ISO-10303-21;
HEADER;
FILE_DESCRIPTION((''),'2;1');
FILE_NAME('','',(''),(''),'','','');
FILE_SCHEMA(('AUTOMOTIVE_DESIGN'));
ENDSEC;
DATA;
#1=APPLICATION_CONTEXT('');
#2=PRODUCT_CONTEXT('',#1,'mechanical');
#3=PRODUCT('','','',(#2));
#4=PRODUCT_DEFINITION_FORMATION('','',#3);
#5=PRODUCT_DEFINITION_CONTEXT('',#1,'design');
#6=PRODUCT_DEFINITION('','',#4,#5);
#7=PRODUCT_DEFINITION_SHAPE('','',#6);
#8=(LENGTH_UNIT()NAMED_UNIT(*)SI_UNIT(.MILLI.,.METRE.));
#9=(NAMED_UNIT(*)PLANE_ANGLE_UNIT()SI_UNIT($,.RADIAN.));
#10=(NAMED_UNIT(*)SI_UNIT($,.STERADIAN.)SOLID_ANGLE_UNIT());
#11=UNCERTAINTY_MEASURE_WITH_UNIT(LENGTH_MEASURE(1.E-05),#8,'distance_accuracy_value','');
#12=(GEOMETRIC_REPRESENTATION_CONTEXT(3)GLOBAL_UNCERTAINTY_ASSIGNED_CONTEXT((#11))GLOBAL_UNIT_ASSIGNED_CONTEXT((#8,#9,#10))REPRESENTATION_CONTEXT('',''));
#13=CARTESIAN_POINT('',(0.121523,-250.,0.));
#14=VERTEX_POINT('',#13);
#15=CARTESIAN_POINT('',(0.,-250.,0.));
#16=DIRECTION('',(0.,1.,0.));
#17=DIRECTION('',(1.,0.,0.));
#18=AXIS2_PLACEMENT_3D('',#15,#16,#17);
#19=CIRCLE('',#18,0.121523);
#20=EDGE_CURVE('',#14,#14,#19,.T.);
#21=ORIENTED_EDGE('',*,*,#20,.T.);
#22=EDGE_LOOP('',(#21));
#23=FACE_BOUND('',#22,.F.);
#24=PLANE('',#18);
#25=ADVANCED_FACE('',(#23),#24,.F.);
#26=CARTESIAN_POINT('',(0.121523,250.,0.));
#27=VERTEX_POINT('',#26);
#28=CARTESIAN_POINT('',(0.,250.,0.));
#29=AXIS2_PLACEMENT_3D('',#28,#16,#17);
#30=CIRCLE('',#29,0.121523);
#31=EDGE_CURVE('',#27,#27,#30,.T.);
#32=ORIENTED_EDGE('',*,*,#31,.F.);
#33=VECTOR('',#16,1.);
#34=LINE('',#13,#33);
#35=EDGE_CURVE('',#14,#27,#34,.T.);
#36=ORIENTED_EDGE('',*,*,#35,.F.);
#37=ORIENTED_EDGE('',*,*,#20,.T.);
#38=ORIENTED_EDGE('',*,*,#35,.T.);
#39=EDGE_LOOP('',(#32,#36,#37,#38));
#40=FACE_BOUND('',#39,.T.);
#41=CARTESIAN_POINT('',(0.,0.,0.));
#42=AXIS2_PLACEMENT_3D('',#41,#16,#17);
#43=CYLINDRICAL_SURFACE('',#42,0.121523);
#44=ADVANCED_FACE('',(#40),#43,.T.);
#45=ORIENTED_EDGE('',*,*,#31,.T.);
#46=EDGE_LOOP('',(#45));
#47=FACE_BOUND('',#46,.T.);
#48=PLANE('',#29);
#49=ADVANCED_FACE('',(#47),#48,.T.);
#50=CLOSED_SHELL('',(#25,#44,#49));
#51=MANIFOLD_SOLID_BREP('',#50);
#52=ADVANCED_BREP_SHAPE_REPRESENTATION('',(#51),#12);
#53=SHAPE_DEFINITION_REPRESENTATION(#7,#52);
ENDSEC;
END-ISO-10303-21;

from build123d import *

# Parameters (mm, degrees)
SKETCH1_R           = 0.121522631
BOSS_EXTRUDE1_DEPTH = 250


with BuildPart() as part:
    # Sketch1 → Boss-Extrude1 (new body, symmetric)
    with BuildSketch(Plane(origin=(0, 0, 0), x_dir=(1, 0, 0), z_dir=(0, 1, 0))):
        Circle(SKETCH1_R)
    extrude(amount=BOSS_EXTRUDE1_DEPTH, both=True)


solid = part.part
